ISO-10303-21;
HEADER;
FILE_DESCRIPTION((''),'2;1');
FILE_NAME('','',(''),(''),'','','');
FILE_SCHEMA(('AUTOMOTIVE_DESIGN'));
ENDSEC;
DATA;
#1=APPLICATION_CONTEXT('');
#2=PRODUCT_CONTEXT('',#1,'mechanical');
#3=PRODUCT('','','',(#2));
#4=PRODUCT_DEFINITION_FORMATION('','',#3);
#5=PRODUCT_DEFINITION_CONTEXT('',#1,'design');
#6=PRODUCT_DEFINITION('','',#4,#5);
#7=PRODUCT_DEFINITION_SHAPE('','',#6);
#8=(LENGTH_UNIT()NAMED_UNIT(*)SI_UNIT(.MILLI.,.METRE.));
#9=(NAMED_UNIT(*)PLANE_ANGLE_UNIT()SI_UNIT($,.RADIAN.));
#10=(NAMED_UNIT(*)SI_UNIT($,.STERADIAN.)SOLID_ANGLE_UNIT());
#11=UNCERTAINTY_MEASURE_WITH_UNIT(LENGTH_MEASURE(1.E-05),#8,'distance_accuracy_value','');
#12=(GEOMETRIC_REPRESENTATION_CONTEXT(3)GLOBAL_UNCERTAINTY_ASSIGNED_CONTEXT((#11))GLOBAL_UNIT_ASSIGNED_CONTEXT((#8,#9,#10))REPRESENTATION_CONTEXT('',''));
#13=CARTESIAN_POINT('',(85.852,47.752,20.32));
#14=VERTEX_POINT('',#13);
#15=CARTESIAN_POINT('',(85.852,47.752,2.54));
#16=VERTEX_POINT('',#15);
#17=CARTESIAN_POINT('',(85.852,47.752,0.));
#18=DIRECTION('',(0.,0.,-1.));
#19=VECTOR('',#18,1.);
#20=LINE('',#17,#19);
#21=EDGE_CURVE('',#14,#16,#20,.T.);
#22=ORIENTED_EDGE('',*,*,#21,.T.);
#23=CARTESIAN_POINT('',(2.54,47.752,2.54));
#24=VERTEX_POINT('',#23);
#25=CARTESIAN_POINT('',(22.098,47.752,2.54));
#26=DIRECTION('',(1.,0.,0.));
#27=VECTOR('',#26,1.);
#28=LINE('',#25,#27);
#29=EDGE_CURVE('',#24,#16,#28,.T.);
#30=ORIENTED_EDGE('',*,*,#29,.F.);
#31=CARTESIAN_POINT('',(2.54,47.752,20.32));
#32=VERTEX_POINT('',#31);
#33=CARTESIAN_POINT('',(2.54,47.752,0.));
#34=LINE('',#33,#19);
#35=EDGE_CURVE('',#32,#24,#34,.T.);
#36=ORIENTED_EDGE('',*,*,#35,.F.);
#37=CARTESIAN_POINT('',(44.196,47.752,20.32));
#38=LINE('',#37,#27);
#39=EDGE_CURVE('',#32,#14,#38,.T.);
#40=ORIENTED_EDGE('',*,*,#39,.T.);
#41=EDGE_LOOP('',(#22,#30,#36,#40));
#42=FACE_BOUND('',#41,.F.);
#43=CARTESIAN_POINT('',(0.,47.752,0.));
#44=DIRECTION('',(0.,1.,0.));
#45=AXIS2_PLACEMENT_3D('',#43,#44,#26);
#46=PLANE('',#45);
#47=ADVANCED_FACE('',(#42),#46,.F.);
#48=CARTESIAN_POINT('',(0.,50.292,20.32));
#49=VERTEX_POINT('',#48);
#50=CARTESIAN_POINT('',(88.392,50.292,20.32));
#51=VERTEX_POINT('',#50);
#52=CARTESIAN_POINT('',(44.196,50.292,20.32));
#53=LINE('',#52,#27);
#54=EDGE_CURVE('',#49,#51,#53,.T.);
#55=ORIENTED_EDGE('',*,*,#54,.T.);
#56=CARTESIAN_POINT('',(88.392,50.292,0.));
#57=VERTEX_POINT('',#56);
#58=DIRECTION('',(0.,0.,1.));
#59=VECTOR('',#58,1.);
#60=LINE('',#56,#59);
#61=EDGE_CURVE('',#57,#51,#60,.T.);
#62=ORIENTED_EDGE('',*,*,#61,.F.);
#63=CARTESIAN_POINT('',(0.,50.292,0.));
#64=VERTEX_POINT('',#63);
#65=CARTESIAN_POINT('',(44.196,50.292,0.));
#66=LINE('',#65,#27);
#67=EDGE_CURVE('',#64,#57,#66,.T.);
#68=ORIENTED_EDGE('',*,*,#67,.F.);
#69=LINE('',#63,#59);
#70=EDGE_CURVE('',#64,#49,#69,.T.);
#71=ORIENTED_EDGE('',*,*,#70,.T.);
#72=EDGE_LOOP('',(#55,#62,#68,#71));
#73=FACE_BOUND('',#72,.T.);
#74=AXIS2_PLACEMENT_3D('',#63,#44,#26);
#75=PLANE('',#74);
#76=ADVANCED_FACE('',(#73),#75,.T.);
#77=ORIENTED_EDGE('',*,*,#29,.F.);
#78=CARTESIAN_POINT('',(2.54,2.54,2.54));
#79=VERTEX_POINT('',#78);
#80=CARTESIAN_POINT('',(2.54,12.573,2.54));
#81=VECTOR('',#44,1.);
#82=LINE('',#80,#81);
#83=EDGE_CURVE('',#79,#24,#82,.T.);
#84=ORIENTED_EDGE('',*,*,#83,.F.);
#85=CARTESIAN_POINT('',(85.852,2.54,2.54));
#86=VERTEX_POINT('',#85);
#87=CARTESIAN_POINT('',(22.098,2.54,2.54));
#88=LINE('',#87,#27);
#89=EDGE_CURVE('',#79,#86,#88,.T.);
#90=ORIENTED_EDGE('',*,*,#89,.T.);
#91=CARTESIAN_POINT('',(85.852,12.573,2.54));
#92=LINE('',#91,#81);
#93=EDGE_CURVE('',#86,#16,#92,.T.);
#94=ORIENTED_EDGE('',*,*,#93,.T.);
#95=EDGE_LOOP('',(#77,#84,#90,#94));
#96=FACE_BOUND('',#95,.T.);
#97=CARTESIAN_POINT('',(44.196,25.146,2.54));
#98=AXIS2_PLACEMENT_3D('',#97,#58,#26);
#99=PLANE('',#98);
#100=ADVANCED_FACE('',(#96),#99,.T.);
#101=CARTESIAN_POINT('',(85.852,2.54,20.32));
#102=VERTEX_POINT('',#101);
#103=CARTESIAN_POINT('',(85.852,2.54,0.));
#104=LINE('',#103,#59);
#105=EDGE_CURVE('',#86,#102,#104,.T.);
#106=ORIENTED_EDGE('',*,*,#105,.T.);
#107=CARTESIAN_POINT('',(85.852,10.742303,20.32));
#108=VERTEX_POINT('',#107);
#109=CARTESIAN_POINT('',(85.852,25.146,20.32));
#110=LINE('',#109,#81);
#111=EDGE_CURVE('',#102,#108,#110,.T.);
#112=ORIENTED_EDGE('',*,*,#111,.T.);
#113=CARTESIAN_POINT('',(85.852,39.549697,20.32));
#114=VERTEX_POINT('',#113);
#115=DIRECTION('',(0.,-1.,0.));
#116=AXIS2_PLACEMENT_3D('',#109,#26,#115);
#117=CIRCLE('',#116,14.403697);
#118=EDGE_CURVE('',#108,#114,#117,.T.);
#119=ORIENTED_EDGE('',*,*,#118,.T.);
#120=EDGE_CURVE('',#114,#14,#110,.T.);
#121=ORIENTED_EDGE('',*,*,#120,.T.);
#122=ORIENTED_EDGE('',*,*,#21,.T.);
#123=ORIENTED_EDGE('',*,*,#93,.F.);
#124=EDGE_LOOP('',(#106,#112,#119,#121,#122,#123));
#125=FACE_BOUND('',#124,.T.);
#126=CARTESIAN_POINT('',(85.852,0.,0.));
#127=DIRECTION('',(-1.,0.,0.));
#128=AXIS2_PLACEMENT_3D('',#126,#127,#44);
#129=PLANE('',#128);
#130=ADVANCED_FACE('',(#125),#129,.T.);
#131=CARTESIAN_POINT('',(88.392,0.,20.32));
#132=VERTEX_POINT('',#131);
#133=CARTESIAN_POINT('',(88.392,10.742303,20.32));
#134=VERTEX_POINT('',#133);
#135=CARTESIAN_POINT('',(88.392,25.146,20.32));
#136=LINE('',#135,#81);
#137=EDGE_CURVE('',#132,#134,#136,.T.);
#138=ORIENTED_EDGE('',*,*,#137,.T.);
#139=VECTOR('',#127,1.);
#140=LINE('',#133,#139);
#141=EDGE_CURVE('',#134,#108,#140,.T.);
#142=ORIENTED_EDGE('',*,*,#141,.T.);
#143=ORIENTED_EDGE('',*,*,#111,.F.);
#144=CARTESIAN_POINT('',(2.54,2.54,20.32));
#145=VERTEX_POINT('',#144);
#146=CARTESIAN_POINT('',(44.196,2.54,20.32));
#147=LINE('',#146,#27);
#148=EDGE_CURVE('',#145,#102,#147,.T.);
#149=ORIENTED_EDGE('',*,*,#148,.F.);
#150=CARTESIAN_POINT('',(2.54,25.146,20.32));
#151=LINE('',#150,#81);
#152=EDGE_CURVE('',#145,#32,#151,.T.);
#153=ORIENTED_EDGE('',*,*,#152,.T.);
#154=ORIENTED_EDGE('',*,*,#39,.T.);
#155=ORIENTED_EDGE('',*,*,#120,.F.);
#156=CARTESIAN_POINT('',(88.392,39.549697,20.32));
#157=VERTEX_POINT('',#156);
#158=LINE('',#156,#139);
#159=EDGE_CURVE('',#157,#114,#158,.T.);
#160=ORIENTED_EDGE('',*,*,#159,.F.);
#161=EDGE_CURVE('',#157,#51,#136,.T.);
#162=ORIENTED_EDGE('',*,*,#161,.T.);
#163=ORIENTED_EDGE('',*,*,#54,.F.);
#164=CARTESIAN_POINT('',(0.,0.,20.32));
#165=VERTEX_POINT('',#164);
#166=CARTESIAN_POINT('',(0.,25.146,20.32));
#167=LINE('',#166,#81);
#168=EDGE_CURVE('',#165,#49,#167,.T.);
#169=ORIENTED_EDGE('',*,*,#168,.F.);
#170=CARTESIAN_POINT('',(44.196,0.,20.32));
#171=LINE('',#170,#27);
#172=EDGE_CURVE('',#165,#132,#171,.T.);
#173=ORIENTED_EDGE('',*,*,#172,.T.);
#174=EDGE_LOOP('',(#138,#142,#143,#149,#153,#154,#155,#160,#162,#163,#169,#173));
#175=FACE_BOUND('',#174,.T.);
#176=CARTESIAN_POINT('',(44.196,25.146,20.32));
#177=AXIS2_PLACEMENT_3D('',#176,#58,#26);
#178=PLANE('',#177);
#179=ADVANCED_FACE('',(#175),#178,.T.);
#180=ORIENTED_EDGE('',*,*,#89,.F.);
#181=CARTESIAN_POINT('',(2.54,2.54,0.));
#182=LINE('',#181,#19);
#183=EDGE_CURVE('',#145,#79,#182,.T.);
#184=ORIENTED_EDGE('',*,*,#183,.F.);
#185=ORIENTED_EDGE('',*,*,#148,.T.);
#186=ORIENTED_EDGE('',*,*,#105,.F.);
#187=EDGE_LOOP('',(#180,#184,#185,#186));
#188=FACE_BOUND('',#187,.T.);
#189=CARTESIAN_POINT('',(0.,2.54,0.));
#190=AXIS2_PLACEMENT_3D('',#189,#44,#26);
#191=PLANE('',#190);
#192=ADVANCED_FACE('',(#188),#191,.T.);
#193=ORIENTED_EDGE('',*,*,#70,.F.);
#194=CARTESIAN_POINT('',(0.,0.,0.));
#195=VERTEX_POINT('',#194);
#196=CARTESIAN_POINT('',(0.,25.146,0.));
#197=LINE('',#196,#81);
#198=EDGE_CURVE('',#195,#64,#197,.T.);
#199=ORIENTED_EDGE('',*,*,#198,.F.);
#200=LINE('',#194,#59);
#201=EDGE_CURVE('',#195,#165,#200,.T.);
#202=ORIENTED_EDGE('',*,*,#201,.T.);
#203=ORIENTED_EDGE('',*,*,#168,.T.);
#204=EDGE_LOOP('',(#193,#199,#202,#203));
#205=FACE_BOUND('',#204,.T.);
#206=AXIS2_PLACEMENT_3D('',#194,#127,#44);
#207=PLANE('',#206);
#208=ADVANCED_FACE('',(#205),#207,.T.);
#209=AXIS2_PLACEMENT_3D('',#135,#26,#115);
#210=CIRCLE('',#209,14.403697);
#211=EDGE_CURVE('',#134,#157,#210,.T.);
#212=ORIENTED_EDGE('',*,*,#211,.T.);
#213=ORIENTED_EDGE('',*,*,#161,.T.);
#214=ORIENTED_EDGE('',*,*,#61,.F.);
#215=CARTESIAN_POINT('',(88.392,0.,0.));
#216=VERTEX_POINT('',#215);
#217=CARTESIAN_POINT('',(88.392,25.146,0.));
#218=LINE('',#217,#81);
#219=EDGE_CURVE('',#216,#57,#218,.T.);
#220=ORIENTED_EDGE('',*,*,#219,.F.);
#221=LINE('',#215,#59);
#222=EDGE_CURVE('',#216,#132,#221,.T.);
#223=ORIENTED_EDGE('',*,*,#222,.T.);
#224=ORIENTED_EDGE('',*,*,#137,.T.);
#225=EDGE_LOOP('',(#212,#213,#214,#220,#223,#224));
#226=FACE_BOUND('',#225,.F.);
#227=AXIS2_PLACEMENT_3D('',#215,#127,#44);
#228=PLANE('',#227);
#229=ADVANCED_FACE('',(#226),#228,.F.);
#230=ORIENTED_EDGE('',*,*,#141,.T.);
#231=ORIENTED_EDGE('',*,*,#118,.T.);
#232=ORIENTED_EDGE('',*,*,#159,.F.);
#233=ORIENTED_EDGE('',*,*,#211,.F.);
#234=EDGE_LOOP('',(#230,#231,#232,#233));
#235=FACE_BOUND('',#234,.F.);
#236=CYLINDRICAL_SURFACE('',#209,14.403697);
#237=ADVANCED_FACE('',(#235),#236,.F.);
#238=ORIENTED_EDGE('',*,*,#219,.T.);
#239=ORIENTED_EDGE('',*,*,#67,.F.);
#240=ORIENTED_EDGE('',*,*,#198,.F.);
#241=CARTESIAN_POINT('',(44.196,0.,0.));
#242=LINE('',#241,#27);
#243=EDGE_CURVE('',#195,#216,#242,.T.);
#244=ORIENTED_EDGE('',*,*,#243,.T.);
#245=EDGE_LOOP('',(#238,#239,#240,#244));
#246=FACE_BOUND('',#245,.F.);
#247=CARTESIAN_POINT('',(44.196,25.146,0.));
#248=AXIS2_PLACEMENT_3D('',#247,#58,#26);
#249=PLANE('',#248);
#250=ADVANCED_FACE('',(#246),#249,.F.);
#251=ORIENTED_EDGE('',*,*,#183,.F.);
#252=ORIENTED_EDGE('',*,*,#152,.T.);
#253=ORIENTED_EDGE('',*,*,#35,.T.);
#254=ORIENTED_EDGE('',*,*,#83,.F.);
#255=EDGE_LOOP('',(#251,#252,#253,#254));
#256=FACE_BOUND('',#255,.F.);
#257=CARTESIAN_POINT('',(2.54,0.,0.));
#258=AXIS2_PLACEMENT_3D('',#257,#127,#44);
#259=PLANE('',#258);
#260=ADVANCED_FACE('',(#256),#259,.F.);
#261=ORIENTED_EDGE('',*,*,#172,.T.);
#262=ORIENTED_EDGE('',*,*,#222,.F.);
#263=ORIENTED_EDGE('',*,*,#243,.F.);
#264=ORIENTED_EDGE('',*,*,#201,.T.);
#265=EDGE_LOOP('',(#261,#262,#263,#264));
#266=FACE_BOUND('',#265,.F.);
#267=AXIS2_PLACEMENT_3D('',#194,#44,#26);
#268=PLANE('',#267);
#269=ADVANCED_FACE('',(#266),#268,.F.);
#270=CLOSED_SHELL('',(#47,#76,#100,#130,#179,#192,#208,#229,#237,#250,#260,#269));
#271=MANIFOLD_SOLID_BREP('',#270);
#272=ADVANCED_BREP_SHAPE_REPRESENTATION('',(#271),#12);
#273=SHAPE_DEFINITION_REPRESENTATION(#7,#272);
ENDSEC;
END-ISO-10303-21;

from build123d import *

# Parameters (mm, degrees)
F0_W     = 88.392
F0_H     = 50.292
F1_DEPTH = 20.32
F2_T     = -2.54
F4_DEPTH = 25.4


with BuildPart() as f1:
    # F0 (on Top) → F1 (new body)
    with BuildSketch(Plane.XY):
        with Locations((44.196, 25.146)):
            Rectangle(F0_W, F0_H)
    extrude(amount=F1_DEPTH)

    # F2
    f2_openings = [f1.faces().sort_by_distance(p)[0] for p in [
        (44.196, 25.146, 20.32),
    ]]
    offset(amount=F2_T, openings=f2_openings)

    # F3 (on face) → F4 (cut)
    with BuildSketch(Plane.YZ.offset(88.392)):
        with BuildLine():
            ThreePointArc((10.742303, 20.32), (25.146, 5.916303), (39.549697, 20.32))
            Line((39.549697, 20.32), (10.742303, 20.32))
        make_face()
    extrude(amount=-F4_DEPTH, mode=Mode.SUBTRACT)


solid = f1.part
